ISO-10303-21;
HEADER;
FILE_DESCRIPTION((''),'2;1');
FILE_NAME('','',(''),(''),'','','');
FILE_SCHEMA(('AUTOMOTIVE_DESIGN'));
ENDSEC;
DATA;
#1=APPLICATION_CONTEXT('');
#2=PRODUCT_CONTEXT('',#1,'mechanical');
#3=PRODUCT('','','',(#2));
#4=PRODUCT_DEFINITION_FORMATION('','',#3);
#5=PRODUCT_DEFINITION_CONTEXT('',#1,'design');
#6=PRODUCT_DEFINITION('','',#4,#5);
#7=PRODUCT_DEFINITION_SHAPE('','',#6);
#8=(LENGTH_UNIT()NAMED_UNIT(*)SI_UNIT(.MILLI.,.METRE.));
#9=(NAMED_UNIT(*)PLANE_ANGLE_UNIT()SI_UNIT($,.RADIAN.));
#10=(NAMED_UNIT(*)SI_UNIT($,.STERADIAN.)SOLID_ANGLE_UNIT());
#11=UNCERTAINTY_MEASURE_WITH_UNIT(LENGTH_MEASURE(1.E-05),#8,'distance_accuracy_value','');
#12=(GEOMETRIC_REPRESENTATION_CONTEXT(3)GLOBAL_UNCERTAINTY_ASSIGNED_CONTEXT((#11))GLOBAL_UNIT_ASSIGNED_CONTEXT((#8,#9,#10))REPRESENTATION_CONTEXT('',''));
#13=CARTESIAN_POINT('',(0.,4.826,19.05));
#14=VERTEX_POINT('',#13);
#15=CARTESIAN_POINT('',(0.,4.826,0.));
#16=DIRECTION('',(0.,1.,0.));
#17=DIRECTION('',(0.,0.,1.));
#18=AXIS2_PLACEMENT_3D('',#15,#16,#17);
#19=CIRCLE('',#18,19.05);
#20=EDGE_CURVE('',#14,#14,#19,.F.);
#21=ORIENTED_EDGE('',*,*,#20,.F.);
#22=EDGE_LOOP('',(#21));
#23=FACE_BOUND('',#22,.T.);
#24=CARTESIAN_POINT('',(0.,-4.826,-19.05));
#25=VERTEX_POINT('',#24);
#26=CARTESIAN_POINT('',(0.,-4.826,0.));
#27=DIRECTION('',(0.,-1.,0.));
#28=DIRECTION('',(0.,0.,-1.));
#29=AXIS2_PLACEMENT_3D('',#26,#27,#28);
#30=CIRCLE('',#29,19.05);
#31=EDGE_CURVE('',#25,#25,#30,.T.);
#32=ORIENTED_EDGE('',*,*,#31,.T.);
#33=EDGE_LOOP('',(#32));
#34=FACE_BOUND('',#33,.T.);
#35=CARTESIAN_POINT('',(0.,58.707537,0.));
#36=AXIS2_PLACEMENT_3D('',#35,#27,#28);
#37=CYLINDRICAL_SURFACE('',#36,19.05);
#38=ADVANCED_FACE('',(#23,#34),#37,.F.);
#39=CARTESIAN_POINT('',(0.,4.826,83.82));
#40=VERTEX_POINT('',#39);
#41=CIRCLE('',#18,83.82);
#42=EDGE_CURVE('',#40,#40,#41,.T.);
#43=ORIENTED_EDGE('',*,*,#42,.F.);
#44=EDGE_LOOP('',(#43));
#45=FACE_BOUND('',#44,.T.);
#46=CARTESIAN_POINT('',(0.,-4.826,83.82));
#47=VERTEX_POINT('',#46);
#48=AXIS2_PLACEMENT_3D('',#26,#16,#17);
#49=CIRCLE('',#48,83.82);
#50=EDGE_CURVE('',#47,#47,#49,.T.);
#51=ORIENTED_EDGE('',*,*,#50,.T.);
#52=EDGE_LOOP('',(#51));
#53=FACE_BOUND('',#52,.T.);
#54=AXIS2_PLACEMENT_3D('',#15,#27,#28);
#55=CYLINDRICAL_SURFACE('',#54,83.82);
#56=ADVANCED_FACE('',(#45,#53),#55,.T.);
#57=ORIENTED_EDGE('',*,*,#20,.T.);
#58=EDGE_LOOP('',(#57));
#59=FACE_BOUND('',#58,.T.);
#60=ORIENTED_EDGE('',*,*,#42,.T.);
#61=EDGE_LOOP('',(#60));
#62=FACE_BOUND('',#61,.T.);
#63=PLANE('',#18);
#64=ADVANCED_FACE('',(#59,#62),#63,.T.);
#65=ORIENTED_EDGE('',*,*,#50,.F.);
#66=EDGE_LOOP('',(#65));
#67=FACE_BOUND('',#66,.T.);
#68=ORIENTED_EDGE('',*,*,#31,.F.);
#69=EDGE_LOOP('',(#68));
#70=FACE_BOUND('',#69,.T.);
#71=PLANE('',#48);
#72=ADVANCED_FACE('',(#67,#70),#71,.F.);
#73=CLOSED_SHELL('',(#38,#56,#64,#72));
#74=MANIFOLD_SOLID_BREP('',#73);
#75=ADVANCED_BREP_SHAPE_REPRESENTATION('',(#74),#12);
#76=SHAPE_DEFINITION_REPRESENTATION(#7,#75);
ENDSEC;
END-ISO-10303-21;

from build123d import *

# Parameters (mm, degrees)
SKETCH1_R           = 83.82
BOSS_EXTRUDE1_DEPTH = 4.826
SKETCH2_R           = 19.05
CUT_EXTRUDE1_DEPTH  = 9.652


with BuildPart() as part:
    # Sketch1 → Boss-Extrude1 (new body, symmetric)
    with BuildSketch(Plane(origin=(0, 0, 0), x_dir=(1, 0, 0), z_dir=(0, 1, 0))):
        Circle(SKETCH1_R)
    extrude(amount=BOSS_EXTRUDE1_DEPTH, both=True)

    # Sketch2 → Cut-Extrude1 (cut)
    with BuildSketch(Plane.XZ.offset(4.826)):
        Circle(SKETCH2_R)
    extrude(amount=-CUT_EXTRUDE1_DEPTH, mode=Mode.SUBTRACT)


solid = part.part
